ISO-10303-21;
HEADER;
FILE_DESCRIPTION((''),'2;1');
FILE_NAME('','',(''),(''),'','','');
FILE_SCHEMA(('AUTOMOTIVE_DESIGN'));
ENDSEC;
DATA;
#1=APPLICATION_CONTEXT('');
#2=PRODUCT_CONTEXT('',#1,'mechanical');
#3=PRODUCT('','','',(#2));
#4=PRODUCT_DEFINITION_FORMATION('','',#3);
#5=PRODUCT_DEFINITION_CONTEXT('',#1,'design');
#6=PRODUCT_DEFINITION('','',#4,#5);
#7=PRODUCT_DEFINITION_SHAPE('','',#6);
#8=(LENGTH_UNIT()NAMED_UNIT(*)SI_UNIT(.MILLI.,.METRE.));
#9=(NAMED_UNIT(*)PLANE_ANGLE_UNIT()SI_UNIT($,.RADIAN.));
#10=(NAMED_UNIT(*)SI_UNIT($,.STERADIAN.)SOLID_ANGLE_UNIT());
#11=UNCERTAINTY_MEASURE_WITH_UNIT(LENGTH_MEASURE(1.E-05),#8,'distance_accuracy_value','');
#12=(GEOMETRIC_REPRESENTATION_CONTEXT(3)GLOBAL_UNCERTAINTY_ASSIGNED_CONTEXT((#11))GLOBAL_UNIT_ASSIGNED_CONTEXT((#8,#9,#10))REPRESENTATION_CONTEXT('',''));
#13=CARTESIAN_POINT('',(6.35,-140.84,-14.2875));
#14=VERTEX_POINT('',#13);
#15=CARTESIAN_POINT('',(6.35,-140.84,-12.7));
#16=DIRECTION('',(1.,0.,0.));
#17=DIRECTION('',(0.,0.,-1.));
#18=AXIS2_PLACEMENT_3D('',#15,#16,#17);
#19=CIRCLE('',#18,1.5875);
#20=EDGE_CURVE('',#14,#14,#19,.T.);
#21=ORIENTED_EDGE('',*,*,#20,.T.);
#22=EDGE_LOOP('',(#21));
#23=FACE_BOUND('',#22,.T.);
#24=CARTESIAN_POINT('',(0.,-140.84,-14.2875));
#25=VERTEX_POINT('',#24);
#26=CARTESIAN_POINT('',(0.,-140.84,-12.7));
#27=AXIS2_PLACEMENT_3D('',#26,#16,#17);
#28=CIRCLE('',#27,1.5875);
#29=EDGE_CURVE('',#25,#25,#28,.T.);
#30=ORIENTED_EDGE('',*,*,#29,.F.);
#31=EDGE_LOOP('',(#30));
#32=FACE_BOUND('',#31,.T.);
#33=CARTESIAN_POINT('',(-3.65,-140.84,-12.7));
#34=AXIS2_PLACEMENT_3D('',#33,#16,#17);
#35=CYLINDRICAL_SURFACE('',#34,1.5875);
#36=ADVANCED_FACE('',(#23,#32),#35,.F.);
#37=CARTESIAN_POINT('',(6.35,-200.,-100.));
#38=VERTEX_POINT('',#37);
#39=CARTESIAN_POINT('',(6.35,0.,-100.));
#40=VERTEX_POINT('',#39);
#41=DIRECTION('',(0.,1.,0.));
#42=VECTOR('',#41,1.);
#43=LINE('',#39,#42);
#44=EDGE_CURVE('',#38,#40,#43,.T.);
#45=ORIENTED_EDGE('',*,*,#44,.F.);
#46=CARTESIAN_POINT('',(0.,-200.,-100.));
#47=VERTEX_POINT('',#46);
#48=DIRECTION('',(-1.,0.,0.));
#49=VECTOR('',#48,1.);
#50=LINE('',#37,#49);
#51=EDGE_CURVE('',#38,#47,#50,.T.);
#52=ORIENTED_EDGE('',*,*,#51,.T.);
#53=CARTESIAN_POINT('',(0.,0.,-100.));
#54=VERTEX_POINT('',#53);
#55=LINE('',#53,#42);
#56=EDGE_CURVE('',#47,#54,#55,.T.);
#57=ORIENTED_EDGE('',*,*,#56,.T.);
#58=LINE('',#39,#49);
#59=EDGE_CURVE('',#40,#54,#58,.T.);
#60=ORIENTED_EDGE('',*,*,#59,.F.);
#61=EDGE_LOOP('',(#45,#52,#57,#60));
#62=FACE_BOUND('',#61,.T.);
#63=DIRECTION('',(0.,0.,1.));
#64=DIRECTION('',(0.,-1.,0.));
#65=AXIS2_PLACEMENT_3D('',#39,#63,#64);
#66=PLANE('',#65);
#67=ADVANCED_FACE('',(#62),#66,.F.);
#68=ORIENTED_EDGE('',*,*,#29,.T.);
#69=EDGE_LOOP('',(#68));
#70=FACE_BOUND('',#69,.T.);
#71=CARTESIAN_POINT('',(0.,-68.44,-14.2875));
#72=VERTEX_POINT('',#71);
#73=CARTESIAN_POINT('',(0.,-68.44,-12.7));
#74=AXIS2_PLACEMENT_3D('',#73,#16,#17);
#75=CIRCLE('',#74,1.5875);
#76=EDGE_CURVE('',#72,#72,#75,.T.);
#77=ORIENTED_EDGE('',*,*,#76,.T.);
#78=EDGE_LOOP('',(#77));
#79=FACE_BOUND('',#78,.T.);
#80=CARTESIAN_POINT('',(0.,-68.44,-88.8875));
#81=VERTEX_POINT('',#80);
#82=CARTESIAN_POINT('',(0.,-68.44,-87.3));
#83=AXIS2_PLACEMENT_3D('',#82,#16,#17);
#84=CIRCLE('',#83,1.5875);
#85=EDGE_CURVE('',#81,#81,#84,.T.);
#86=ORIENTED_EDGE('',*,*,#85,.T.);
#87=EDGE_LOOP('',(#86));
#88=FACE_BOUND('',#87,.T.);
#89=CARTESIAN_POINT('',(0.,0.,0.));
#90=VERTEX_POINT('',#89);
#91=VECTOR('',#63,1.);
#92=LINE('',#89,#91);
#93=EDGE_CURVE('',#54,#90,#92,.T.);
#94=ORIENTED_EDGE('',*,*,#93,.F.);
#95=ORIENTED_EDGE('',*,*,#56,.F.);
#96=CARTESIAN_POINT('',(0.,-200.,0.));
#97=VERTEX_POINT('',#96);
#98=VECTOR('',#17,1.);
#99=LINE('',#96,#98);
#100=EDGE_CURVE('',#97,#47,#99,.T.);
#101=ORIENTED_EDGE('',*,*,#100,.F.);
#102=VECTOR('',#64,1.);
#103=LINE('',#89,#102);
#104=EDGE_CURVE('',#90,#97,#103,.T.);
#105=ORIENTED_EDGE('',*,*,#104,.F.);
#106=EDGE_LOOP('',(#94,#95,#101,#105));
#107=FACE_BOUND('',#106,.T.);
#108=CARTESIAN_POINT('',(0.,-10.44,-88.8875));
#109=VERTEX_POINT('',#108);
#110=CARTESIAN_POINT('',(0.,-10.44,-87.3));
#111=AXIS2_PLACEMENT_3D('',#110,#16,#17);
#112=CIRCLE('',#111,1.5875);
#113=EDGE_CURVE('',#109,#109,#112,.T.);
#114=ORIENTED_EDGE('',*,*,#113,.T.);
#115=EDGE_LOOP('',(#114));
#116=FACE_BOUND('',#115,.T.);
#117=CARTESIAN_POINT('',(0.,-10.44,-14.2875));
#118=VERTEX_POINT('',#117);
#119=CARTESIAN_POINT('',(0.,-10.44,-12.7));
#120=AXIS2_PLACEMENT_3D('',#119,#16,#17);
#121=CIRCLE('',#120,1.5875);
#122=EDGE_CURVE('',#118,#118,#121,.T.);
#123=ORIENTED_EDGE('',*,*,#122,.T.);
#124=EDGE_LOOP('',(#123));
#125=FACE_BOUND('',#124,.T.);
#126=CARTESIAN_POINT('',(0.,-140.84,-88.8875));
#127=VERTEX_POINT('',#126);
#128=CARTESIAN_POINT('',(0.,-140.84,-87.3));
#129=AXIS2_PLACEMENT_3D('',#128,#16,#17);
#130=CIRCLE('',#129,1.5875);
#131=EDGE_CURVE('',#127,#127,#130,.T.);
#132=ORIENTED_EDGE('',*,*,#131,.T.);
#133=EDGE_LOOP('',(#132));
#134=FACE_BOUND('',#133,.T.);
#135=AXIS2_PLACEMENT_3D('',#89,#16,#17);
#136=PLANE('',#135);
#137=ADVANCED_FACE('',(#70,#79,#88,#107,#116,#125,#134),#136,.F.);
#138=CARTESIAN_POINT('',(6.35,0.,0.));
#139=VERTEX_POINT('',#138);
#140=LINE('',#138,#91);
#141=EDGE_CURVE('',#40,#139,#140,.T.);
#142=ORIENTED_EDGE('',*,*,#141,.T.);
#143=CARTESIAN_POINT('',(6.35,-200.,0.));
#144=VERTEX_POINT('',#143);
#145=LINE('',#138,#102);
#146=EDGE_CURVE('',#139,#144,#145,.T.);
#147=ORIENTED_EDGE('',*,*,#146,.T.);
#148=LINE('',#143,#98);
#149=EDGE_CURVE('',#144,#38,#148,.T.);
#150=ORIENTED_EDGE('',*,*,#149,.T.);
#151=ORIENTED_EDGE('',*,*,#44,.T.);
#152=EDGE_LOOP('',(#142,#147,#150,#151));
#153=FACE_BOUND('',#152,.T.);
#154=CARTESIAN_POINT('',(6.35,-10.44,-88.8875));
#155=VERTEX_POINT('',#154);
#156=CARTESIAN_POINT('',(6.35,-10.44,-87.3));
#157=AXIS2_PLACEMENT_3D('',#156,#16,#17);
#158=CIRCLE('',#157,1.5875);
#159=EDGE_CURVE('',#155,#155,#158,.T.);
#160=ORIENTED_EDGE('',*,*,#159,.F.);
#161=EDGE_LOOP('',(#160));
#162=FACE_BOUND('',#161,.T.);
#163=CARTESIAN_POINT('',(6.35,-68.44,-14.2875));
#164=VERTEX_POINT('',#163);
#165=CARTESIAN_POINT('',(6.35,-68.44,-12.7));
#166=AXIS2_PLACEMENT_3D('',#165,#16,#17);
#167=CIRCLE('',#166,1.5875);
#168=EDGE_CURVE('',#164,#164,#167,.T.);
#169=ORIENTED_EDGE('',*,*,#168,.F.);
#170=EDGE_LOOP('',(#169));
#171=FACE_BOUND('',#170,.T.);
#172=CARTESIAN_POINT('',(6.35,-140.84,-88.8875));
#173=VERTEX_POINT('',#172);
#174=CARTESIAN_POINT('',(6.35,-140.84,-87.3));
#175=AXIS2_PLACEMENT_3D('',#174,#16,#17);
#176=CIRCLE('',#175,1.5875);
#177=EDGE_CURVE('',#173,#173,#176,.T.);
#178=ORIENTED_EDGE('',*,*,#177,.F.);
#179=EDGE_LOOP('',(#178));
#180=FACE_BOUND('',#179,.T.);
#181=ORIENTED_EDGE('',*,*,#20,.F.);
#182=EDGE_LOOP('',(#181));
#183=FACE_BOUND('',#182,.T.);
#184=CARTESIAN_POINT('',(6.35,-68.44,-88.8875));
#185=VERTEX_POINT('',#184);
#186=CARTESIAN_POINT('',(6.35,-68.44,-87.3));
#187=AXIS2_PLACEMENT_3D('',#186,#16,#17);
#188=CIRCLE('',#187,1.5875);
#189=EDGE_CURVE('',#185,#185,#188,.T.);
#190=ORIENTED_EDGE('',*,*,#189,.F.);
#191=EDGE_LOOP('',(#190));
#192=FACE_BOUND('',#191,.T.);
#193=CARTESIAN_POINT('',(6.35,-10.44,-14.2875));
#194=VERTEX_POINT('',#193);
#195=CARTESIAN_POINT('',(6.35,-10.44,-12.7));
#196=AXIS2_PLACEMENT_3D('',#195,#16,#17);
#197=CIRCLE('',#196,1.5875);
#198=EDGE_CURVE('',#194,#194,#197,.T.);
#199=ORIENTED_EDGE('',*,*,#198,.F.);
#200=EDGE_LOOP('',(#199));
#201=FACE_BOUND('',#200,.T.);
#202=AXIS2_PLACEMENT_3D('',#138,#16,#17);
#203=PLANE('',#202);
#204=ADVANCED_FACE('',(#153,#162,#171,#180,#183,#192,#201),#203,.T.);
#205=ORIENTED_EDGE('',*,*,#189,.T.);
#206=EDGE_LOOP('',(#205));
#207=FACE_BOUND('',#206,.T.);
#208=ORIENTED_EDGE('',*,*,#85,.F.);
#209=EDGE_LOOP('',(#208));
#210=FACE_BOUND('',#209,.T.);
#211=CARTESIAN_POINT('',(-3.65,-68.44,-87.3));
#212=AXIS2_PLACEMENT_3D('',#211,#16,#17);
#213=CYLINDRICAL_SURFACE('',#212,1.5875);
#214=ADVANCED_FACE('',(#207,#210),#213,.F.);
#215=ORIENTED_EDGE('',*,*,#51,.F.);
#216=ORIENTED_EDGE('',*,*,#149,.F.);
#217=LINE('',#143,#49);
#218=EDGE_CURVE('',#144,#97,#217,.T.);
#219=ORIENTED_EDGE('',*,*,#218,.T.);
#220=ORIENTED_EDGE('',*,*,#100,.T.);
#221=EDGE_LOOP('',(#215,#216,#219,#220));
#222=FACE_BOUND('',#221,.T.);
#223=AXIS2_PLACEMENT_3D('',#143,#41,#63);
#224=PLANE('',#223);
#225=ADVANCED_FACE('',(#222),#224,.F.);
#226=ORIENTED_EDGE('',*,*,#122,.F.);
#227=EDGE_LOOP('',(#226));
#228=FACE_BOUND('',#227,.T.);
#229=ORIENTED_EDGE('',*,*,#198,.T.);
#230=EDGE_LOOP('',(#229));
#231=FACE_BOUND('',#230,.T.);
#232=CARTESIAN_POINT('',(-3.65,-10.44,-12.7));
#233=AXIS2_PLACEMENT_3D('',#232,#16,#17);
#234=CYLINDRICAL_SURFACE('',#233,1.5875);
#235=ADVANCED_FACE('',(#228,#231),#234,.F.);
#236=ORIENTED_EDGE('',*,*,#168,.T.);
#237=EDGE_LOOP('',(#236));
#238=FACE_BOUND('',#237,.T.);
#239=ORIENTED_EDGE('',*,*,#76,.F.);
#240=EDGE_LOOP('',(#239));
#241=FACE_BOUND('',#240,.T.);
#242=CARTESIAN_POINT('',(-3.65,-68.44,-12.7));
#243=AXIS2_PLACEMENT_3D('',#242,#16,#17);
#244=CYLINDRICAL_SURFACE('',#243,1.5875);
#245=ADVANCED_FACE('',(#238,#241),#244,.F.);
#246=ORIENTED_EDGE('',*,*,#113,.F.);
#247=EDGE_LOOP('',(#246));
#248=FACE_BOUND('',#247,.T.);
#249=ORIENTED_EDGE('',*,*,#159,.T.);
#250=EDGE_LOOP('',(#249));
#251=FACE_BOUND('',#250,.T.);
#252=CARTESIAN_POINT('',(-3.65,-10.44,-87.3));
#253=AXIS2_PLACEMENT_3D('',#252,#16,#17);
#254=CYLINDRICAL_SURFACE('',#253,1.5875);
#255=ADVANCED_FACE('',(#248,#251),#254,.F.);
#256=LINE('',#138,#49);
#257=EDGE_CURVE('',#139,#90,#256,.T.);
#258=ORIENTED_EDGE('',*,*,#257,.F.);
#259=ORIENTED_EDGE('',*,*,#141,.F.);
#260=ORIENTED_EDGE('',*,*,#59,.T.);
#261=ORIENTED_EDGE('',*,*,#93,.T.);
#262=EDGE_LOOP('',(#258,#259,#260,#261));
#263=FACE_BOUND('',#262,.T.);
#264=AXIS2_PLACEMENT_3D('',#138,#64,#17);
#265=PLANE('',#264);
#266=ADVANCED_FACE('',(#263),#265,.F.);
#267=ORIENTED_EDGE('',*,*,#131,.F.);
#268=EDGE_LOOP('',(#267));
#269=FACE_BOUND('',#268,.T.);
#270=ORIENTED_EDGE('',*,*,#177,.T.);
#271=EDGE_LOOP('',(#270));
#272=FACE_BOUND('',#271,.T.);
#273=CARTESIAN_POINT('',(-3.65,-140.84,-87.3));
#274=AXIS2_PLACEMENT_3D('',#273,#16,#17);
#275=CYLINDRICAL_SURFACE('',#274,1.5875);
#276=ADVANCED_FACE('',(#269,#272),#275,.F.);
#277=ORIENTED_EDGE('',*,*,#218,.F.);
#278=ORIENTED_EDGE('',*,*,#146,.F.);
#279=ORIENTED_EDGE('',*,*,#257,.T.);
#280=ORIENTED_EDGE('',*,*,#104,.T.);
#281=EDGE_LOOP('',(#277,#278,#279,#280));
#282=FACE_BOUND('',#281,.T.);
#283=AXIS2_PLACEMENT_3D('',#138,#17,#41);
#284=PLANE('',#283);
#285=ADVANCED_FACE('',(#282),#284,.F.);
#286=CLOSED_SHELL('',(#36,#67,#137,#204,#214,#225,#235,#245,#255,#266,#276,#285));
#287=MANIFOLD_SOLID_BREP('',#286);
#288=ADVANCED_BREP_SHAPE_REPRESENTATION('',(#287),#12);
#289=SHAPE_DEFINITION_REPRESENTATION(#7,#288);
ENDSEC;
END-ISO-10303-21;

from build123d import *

# Parameters (mm, degrees)
SKETCH1_W           = 100
SKETCH1_H           = 200
BOSS_EXTRUDE1_DEPTH = 6.35
SKETCH3_R           = 1.5875
CUT_EXTRUDE1_DEPTH  = 10


with BuildPart() as part:
    # Sketch1 → Boss-Extrude1 (new body)
    with BuildSketch(Plane(origin=(0, 0, 0), x_dir=(0, 0, -1), z_dir=(1, 0, 0))):
        with Locations((50, -100)):
            Rectangle(SKETCH1_W, SKETCH1_H)
    extrude(amount=BOSS_EXTRUDE1_DEPTH)

    # Sketch3 → Cut-Extrude1 (cut)
    with BuildSketch(Plane(origin=(6.35, 0, 0), x_dir=(0, 0, -1), z_dir=(1, 0, 0))):
        with Locations((12.7, -10.44)):
            Circle(SKETCH3_R)
        with Locations((87.3, -10.44)):
            Circle(SKETCH3_R)
        with Locations((12.7, -68.44)):
            Circle(SKETCH3_R)
        with Locations((87.3, -68.44)):
            Circle(SKETCH3_R)
        with Locations((12.7, -140.84)):
            Circle(SKETCH3_R)
        with Locations((87.3, -140.84)):
            Circle(SKETCH3_R)
    extrude(amount=-CUT_EXTRUDE1_DEPTH, mode=Mode.SUBTRACT)


solid = part.part
